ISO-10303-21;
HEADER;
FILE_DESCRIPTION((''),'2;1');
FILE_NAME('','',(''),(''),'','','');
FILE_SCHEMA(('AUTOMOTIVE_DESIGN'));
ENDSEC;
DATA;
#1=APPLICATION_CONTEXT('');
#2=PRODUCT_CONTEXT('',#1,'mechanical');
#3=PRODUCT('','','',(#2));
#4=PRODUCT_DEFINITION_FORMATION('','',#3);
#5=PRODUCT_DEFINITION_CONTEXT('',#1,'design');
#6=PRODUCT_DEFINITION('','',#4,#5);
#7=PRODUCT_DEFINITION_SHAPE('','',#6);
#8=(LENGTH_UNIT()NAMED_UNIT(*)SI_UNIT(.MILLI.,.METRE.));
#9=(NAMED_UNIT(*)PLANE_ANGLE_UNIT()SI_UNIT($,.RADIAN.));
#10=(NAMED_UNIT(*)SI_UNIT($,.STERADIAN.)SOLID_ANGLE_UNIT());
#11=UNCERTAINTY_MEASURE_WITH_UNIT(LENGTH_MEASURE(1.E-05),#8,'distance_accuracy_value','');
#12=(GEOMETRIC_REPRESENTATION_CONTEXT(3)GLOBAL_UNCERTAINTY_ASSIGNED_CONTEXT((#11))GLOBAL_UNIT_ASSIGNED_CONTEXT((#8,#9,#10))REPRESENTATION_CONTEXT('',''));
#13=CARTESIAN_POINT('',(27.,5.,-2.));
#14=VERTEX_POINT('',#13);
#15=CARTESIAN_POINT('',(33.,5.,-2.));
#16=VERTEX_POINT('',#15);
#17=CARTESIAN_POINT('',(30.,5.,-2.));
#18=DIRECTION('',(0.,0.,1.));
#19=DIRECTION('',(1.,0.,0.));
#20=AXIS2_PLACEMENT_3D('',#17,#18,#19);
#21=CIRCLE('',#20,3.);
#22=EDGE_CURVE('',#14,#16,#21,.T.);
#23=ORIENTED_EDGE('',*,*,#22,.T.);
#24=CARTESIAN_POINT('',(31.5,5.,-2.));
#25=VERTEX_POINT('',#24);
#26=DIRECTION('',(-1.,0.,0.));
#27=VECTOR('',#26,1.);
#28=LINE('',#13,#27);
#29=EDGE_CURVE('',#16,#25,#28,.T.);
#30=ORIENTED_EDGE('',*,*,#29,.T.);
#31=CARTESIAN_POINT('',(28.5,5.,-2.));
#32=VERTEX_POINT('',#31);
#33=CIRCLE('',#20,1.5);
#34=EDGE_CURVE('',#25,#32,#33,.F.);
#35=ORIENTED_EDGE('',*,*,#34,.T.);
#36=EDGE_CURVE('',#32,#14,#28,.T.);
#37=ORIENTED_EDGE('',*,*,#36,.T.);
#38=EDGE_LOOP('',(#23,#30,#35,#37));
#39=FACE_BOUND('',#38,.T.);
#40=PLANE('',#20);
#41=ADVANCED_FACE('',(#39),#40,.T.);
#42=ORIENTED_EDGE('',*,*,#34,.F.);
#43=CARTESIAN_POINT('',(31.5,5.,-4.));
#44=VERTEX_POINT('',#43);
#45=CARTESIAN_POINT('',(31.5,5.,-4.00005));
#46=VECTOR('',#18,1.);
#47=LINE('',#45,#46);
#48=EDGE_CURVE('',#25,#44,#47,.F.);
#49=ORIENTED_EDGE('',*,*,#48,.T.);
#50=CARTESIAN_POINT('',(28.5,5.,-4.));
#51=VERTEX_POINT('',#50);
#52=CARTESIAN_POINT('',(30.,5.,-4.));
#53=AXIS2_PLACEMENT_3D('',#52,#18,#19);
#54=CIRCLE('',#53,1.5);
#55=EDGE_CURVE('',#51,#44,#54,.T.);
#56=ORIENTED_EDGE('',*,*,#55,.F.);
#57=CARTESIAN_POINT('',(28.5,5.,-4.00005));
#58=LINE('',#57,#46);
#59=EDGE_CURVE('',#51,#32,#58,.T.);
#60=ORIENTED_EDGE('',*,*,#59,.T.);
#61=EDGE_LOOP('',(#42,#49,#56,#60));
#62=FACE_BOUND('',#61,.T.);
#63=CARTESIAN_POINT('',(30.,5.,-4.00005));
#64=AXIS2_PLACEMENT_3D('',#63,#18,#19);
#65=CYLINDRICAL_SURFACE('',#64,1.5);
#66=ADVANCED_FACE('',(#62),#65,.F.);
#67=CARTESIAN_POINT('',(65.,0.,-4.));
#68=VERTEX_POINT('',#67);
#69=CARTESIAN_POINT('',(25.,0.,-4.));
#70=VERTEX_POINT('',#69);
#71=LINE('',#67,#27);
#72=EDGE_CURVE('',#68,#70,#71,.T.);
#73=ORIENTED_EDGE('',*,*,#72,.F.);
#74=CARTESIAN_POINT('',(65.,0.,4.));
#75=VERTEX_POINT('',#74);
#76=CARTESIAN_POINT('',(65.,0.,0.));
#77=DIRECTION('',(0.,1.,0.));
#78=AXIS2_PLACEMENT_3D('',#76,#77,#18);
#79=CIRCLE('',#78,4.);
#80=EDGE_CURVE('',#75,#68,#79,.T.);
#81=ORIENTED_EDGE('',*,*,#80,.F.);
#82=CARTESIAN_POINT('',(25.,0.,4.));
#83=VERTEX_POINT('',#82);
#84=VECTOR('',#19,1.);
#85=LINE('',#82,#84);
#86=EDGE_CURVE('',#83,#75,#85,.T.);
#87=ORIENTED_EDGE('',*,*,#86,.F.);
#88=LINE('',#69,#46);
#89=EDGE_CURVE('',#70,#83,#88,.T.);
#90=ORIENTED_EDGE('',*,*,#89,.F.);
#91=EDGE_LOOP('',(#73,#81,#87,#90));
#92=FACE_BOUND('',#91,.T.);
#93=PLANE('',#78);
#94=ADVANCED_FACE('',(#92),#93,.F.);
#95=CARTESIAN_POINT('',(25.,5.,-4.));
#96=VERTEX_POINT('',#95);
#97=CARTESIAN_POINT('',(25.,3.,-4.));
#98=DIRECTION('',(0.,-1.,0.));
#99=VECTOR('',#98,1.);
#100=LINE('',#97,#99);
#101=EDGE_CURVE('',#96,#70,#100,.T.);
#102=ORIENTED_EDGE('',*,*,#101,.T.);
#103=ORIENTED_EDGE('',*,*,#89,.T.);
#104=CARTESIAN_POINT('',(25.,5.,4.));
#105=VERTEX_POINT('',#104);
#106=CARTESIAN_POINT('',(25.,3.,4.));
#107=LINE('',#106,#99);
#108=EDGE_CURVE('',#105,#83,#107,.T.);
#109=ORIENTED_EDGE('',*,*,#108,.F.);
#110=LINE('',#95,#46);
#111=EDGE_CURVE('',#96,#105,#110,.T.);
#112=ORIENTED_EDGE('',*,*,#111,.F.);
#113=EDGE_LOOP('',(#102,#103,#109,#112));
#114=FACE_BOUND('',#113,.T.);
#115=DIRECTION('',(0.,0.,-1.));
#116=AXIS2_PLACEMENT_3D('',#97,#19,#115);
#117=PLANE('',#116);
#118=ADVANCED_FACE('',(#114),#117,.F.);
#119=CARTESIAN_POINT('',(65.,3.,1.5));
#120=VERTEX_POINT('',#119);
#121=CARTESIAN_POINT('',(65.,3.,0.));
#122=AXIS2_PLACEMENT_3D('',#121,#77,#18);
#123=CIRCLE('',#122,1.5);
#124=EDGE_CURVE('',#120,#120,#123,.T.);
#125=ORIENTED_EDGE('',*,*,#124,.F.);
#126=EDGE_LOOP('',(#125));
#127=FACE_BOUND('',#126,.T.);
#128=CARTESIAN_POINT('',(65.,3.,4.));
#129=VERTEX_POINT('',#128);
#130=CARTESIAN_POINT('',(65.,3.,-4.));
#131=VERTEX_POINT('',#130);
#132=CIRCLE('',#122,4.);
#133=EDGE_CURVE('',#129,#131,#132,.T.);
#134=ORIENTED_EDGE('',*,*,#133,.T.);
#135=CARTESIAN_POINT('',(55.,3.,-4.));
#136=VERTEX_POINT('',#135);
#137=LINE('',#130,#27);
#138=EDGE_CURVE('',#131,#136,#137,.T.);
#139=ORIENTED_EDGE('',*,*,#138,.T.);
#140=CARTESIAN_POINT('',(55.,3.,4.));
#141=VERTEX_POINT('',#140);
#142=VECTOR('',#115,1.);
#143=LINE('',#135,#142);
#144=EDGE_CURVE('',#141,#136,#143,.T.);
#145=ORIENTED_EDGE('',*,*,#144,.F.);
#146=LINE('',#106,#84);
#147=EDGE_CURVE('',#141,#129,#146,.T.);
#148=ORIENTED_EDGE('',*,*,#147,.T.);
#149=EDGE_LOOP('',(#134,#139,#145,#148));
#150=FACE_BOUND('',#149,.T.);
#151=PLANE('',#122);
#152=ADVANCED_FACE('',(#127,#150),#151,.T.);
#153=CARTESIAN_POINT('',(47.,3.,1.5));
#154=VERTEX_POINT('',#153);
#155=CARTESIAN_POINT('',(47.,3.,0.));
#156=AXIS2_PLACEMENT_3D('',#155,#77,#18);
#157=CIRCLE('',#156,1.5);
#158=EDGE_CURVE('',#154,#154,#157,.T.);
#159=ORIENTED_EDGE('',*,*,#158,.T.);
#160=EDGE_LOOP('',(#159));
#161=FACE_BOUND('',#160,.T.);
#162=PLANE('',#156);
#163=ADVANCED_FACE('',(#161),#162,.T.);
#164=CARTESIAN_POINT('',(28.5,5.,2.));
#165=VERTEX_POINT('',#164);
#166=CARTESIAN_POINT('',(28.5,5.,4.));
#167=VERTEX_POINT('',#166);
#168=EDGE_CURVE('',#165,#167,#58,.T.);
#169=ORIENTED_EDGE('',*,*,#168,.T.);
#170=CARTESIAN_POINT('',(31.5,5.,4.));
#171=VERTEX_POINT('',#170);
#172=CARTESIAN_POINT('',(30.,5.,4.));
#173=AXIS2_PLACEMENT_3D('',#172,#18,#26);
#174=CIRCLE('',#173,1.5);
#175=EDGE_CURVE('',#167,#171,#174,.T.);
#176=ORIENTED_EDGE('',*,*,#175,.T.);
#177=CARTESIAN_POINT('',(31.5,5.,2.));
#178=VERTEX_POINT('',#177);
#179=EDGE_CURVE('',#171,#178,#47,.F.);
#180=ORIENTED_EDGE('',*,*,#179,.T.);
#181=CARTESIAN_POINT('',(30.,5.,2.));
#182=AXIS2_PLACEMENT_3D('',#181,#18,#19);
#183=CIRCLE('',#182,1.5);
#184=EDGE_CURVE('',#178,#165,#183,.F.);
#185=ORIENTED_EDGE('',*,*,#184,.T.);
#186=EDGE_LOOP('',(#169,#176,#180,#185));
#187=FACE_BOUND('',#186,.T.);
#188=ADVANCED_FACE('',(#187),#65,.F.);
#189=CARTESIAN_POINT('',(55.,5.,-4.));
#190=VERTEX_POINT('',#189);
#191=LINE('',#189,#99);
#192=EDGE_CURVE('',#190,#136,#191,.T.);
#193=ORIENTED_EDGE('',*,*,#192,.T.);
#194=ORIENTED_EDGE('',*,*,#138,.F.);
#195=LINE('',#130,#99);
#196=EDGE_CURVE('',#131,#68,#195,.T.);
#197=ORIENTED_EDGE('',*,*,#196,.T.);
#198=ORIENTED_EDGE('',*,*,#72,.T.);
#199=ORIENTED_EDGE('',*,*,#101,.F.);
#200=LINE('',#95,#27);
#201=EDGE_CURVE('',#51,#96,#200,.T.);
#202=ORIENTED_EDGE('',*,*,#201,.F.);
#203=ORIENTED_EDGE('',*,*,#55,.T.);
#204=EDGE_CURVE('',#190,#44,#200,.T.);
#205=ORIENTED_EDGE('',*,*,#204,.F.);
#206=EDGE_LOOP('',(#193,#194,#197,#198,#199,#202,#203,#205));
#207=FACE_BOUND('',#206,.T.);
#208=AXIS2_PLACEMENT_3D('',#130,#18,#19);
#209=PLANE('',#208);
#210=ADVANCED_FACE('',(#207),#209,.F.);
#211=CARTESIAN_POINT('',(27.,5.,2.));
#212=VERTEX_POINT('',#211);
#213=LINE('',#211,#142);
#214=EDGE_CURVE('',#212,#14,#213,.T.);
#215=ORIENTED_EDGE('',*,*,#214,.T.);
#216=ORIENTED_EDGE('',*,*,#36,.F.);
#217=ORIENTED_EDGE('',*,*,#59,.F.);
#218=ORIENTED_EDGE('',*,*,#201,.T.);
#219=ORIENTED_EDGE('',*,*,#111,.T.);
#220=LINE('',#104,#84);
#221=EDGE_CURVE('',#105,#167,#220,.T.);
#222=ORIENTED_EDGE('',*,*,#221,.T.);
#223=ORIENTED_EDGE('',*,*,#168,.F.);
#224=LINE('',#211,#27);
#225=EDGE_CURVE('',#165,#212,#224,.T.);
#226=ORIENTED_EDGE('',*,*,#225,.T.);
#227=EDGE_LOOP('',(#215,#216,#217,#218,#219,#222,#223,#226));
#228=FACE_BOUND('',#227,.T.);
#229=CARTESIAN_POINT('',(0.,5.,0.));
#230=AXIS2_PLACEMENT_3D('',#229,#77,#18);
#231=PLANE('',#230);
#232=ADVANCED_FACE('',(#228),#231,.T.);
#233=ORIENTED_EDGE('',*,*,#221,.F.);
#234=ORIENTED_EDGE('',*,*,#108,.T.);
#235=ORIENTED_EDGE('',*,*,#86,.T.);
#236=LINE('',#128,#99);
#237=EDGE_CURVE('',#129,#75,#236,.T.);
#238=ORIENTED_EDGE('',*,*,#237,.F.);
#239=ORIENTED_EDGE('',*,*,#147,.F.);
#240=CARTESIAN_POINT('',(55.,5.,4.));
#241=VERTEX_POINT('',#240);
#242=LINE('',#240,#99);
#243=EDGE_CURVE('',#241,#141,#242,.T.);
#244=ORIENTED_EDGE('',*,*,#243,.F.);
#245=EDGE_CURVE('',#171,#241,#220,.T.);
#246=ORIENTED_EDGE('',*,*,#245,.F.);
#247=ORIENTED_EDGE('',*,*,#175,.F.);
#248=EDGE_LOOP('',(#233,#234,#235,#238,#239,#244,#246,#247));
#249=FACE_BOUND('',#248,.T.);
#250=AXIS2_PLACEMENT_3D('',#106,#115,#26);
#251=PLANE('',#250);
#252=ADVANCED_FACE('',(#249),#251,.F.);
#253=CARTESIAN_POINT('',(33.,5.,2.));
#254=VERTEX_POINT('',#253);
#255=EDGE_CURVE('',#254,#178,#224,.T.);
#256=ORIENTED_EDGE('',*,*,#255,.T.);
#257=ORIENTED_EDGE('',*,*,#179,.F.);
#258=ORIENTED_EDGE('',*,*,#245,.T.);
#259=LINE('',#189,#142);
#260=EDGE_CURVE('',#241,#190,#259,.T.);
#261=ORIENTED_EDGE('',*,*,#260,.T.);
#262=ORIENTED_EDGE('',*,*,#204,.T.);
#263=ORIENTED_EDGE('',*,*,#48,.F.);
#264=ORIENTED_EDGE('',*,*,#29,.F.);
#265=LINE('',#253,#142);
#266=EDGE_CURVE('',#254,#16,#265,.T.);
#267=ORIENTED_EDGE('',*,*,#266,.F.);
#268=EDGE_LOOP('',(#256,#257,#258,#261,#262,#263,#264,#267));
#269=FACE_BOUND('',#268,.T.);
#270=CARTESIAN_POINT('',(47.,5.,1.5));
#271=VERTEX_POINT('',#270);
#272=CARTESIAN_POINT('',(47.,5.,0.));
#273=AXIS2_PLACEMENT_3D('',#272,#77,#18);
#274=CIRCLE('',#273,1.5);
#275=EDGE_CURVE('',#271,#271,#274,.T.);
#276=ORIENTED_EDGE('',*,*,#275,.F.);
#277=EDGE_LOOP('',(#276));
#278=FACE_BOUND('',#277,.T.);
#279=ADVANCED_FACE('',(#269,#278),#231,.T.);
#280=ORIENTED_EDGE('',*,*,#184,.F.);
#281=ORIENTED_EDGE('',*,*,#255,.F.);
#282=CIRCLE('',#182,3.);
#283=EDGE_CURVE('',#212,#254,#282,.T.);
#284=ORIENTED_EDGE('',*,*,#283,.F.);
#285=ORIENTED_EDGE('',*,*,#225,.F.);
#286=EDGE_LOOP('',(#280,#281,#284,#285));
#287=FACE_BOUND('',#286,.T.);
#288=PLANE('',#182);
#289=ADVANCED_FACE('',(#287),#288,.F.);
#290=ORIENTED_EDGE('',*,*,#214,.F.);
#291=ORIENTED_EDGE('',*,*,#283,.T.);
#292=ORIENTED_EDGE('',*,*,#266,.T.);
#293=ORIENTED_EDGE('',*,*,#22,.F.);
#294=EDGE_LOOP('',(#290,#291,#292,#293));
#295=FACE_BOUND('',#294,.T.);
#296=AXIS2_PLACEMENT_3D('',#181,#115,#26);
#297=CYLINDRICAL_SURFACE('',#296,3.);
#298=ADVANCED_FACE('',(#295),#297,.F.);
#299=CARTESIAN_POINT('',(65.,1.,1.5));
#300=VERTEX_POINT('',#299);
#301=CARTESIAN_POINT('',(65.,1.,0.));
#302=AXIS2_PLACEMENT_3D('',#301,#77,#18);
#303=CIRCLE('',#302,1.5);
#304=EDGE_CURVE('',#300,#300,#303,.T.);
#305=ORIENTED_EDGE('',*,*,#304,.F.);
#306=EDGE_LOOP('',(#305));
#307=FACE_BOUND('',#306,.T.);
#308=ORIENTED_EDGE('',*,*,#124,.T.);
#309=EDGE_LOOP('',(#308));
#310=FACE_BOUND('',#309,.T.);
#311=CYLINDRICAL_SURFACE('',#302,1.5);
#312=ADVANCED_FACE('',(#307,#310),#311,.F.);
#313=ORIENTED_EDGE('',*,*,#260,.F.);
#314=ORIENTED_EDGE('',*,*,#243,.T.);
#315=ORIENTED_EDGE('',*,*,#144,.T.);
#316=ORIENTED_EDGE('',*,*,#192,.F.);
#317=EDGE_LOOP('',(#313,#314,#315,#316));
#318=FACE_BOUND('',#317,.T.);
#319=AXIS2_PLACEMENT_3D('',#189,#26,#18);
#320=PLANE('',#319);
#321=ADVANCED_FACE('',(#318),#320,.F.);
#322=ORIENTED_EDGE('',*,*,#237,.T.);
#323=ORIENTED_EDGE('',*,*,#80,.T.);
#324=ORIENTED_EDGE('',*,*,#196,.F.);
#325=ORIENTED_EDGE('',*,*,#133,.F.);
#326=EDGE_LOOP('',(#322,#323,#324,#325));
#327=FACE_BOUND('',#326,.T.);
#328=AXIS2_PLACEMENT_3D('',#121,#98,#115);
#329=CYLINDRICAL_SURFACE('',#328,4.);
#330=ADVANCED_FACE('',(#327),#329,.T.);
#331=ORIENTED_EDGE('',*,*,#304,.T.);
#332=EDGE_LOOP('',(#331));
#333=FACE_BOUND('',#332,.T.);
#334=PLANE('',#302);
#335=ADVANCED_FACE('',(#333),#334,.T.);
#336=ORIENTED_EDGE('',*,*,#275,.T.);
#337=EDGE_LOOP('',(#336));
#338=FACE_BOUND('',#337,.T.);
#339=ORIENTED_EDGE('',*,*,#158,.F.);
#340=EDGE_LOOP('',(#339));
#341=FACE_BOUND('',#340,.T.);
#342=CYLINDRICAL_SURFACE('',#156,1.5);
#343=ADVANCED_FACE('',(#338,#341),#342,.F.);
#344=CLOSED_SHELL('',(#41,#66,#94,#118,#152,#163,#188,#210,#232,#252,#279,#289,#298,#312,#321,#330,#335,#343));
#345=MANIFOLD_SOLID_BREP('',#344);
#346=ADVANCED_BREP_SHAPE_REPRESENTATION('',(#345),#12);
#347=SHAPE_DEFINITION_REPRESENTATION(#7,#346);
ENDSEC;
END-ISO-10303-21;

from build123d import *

# Parameters (mm, degrees)
BOSS_EXTRUDE2_DEPTH     = 3
SKETCH3_W               = 30
SKETCH3_H               = 8
BOSS_EXTRUDE3_DEPTH     = 2
CUT_EXTRUDE1_DEPTH      = 70.641941386
CUT_EXTRUDE2_DEPTH      = 2
CUT_EXTRUDE2_DEPTH_BACK = 2
SKETCH4_R               = 1.5
CUT_EXTRUDE3_DEPTH      = 2
SKETCH12_R              = 1.5
CUT_EXTRUDE4_DEPTH      = 2


with BuildPart() as part:
    # Sketch1 → Boss-Extrude2 (new body)
    with BuildSketch(Plane(origin=(0, 0, 0), x_dir=(1, 0, 0), z_dir=(0, 1, 0))):
        with BuildLine():
            Line((25, -4), (65, -4))
            ThreePointArc((65, -4), (69, 0), (65, 4))
            Line((65, 4), (25, 4))
            Line((25, 4), (25, -4))
        make_face()
    extrude(amount=BOSS_EXTRUDE2_DEPTH)

    # Sketch3 → Boss-Extrude3 (add)
    with BuildSketch(Plane(origin=(0, 3, 0), x_dir=(1, 0, 0), z_dir=(0, 1, 0))):
        with Locations((40, 0)):
            Rectangle(SKETCH3_W, SKETCH3_H)
    extrude(amount=BOSS_EXTRUDE3_DEPTH)

    # Sketch13 → Cut-Extrude1 (cut, through all)
    with BuildSketch(Plane.XY.offset(4)):
        with BuildLine():
            Line((31.5, 5), (28.5, 5))
            ThreePointArc((28.5, 5), (30, 3.5), (31.5, 5))
        make_face()
    extrude(amount=-CUT_EXTRUDE1_DEPTH, mode=Mode.SUBTRACT)

    # Sketch14 → Cut-Extrude2 (cut, two sides: drawn at the far end of the back side and taken through both)
    with BuildSketch(Plane.XY.offset(-CUT_EXTRUDE2_DEPTH_BACK)):
        with BuildLine():
            Line((27, 5), (33, 5))
            ThreePointArc((33, 5), (30, 2), (27, 5))
        make_face()
    extrude(amount=CUT_EXTRUDE2_DEPTH + CUT_EXTRUDE2_DEPTH_BACK, mode=Mode.SUBTRACT)

    # Sketch4 → Cut-Extrude3 (cut)
    with BuildSketch(Plane(origin=(0, 3, 0), x_dir=(1, 0, 0), z_dir=(0, 1, 0))):
        with Locations(Location((65, 0, 0), (0, 0, 270))):
            Circle(SKETCH4_R)
    extrude(amount=-CUT_EXTRUDE3_DEPTH, mode=Mode.SUBTRACT)

    # Sketch12 → Cut-Extrude4 (cut)
    with BuildSketch(Plane(origin=(0, 5, 0), x_dir=(1, 0, 0), z_dir=(0, 1, 0))):
        with Locations(Location((47, 0, 0), (0, 0, 270))):
            Circle(SKETCH12_R)
    extrude(amount=-CUT_EXTRUDE4_DEPTH, mode=Mode.SUBTRACT)


solid = part.part
